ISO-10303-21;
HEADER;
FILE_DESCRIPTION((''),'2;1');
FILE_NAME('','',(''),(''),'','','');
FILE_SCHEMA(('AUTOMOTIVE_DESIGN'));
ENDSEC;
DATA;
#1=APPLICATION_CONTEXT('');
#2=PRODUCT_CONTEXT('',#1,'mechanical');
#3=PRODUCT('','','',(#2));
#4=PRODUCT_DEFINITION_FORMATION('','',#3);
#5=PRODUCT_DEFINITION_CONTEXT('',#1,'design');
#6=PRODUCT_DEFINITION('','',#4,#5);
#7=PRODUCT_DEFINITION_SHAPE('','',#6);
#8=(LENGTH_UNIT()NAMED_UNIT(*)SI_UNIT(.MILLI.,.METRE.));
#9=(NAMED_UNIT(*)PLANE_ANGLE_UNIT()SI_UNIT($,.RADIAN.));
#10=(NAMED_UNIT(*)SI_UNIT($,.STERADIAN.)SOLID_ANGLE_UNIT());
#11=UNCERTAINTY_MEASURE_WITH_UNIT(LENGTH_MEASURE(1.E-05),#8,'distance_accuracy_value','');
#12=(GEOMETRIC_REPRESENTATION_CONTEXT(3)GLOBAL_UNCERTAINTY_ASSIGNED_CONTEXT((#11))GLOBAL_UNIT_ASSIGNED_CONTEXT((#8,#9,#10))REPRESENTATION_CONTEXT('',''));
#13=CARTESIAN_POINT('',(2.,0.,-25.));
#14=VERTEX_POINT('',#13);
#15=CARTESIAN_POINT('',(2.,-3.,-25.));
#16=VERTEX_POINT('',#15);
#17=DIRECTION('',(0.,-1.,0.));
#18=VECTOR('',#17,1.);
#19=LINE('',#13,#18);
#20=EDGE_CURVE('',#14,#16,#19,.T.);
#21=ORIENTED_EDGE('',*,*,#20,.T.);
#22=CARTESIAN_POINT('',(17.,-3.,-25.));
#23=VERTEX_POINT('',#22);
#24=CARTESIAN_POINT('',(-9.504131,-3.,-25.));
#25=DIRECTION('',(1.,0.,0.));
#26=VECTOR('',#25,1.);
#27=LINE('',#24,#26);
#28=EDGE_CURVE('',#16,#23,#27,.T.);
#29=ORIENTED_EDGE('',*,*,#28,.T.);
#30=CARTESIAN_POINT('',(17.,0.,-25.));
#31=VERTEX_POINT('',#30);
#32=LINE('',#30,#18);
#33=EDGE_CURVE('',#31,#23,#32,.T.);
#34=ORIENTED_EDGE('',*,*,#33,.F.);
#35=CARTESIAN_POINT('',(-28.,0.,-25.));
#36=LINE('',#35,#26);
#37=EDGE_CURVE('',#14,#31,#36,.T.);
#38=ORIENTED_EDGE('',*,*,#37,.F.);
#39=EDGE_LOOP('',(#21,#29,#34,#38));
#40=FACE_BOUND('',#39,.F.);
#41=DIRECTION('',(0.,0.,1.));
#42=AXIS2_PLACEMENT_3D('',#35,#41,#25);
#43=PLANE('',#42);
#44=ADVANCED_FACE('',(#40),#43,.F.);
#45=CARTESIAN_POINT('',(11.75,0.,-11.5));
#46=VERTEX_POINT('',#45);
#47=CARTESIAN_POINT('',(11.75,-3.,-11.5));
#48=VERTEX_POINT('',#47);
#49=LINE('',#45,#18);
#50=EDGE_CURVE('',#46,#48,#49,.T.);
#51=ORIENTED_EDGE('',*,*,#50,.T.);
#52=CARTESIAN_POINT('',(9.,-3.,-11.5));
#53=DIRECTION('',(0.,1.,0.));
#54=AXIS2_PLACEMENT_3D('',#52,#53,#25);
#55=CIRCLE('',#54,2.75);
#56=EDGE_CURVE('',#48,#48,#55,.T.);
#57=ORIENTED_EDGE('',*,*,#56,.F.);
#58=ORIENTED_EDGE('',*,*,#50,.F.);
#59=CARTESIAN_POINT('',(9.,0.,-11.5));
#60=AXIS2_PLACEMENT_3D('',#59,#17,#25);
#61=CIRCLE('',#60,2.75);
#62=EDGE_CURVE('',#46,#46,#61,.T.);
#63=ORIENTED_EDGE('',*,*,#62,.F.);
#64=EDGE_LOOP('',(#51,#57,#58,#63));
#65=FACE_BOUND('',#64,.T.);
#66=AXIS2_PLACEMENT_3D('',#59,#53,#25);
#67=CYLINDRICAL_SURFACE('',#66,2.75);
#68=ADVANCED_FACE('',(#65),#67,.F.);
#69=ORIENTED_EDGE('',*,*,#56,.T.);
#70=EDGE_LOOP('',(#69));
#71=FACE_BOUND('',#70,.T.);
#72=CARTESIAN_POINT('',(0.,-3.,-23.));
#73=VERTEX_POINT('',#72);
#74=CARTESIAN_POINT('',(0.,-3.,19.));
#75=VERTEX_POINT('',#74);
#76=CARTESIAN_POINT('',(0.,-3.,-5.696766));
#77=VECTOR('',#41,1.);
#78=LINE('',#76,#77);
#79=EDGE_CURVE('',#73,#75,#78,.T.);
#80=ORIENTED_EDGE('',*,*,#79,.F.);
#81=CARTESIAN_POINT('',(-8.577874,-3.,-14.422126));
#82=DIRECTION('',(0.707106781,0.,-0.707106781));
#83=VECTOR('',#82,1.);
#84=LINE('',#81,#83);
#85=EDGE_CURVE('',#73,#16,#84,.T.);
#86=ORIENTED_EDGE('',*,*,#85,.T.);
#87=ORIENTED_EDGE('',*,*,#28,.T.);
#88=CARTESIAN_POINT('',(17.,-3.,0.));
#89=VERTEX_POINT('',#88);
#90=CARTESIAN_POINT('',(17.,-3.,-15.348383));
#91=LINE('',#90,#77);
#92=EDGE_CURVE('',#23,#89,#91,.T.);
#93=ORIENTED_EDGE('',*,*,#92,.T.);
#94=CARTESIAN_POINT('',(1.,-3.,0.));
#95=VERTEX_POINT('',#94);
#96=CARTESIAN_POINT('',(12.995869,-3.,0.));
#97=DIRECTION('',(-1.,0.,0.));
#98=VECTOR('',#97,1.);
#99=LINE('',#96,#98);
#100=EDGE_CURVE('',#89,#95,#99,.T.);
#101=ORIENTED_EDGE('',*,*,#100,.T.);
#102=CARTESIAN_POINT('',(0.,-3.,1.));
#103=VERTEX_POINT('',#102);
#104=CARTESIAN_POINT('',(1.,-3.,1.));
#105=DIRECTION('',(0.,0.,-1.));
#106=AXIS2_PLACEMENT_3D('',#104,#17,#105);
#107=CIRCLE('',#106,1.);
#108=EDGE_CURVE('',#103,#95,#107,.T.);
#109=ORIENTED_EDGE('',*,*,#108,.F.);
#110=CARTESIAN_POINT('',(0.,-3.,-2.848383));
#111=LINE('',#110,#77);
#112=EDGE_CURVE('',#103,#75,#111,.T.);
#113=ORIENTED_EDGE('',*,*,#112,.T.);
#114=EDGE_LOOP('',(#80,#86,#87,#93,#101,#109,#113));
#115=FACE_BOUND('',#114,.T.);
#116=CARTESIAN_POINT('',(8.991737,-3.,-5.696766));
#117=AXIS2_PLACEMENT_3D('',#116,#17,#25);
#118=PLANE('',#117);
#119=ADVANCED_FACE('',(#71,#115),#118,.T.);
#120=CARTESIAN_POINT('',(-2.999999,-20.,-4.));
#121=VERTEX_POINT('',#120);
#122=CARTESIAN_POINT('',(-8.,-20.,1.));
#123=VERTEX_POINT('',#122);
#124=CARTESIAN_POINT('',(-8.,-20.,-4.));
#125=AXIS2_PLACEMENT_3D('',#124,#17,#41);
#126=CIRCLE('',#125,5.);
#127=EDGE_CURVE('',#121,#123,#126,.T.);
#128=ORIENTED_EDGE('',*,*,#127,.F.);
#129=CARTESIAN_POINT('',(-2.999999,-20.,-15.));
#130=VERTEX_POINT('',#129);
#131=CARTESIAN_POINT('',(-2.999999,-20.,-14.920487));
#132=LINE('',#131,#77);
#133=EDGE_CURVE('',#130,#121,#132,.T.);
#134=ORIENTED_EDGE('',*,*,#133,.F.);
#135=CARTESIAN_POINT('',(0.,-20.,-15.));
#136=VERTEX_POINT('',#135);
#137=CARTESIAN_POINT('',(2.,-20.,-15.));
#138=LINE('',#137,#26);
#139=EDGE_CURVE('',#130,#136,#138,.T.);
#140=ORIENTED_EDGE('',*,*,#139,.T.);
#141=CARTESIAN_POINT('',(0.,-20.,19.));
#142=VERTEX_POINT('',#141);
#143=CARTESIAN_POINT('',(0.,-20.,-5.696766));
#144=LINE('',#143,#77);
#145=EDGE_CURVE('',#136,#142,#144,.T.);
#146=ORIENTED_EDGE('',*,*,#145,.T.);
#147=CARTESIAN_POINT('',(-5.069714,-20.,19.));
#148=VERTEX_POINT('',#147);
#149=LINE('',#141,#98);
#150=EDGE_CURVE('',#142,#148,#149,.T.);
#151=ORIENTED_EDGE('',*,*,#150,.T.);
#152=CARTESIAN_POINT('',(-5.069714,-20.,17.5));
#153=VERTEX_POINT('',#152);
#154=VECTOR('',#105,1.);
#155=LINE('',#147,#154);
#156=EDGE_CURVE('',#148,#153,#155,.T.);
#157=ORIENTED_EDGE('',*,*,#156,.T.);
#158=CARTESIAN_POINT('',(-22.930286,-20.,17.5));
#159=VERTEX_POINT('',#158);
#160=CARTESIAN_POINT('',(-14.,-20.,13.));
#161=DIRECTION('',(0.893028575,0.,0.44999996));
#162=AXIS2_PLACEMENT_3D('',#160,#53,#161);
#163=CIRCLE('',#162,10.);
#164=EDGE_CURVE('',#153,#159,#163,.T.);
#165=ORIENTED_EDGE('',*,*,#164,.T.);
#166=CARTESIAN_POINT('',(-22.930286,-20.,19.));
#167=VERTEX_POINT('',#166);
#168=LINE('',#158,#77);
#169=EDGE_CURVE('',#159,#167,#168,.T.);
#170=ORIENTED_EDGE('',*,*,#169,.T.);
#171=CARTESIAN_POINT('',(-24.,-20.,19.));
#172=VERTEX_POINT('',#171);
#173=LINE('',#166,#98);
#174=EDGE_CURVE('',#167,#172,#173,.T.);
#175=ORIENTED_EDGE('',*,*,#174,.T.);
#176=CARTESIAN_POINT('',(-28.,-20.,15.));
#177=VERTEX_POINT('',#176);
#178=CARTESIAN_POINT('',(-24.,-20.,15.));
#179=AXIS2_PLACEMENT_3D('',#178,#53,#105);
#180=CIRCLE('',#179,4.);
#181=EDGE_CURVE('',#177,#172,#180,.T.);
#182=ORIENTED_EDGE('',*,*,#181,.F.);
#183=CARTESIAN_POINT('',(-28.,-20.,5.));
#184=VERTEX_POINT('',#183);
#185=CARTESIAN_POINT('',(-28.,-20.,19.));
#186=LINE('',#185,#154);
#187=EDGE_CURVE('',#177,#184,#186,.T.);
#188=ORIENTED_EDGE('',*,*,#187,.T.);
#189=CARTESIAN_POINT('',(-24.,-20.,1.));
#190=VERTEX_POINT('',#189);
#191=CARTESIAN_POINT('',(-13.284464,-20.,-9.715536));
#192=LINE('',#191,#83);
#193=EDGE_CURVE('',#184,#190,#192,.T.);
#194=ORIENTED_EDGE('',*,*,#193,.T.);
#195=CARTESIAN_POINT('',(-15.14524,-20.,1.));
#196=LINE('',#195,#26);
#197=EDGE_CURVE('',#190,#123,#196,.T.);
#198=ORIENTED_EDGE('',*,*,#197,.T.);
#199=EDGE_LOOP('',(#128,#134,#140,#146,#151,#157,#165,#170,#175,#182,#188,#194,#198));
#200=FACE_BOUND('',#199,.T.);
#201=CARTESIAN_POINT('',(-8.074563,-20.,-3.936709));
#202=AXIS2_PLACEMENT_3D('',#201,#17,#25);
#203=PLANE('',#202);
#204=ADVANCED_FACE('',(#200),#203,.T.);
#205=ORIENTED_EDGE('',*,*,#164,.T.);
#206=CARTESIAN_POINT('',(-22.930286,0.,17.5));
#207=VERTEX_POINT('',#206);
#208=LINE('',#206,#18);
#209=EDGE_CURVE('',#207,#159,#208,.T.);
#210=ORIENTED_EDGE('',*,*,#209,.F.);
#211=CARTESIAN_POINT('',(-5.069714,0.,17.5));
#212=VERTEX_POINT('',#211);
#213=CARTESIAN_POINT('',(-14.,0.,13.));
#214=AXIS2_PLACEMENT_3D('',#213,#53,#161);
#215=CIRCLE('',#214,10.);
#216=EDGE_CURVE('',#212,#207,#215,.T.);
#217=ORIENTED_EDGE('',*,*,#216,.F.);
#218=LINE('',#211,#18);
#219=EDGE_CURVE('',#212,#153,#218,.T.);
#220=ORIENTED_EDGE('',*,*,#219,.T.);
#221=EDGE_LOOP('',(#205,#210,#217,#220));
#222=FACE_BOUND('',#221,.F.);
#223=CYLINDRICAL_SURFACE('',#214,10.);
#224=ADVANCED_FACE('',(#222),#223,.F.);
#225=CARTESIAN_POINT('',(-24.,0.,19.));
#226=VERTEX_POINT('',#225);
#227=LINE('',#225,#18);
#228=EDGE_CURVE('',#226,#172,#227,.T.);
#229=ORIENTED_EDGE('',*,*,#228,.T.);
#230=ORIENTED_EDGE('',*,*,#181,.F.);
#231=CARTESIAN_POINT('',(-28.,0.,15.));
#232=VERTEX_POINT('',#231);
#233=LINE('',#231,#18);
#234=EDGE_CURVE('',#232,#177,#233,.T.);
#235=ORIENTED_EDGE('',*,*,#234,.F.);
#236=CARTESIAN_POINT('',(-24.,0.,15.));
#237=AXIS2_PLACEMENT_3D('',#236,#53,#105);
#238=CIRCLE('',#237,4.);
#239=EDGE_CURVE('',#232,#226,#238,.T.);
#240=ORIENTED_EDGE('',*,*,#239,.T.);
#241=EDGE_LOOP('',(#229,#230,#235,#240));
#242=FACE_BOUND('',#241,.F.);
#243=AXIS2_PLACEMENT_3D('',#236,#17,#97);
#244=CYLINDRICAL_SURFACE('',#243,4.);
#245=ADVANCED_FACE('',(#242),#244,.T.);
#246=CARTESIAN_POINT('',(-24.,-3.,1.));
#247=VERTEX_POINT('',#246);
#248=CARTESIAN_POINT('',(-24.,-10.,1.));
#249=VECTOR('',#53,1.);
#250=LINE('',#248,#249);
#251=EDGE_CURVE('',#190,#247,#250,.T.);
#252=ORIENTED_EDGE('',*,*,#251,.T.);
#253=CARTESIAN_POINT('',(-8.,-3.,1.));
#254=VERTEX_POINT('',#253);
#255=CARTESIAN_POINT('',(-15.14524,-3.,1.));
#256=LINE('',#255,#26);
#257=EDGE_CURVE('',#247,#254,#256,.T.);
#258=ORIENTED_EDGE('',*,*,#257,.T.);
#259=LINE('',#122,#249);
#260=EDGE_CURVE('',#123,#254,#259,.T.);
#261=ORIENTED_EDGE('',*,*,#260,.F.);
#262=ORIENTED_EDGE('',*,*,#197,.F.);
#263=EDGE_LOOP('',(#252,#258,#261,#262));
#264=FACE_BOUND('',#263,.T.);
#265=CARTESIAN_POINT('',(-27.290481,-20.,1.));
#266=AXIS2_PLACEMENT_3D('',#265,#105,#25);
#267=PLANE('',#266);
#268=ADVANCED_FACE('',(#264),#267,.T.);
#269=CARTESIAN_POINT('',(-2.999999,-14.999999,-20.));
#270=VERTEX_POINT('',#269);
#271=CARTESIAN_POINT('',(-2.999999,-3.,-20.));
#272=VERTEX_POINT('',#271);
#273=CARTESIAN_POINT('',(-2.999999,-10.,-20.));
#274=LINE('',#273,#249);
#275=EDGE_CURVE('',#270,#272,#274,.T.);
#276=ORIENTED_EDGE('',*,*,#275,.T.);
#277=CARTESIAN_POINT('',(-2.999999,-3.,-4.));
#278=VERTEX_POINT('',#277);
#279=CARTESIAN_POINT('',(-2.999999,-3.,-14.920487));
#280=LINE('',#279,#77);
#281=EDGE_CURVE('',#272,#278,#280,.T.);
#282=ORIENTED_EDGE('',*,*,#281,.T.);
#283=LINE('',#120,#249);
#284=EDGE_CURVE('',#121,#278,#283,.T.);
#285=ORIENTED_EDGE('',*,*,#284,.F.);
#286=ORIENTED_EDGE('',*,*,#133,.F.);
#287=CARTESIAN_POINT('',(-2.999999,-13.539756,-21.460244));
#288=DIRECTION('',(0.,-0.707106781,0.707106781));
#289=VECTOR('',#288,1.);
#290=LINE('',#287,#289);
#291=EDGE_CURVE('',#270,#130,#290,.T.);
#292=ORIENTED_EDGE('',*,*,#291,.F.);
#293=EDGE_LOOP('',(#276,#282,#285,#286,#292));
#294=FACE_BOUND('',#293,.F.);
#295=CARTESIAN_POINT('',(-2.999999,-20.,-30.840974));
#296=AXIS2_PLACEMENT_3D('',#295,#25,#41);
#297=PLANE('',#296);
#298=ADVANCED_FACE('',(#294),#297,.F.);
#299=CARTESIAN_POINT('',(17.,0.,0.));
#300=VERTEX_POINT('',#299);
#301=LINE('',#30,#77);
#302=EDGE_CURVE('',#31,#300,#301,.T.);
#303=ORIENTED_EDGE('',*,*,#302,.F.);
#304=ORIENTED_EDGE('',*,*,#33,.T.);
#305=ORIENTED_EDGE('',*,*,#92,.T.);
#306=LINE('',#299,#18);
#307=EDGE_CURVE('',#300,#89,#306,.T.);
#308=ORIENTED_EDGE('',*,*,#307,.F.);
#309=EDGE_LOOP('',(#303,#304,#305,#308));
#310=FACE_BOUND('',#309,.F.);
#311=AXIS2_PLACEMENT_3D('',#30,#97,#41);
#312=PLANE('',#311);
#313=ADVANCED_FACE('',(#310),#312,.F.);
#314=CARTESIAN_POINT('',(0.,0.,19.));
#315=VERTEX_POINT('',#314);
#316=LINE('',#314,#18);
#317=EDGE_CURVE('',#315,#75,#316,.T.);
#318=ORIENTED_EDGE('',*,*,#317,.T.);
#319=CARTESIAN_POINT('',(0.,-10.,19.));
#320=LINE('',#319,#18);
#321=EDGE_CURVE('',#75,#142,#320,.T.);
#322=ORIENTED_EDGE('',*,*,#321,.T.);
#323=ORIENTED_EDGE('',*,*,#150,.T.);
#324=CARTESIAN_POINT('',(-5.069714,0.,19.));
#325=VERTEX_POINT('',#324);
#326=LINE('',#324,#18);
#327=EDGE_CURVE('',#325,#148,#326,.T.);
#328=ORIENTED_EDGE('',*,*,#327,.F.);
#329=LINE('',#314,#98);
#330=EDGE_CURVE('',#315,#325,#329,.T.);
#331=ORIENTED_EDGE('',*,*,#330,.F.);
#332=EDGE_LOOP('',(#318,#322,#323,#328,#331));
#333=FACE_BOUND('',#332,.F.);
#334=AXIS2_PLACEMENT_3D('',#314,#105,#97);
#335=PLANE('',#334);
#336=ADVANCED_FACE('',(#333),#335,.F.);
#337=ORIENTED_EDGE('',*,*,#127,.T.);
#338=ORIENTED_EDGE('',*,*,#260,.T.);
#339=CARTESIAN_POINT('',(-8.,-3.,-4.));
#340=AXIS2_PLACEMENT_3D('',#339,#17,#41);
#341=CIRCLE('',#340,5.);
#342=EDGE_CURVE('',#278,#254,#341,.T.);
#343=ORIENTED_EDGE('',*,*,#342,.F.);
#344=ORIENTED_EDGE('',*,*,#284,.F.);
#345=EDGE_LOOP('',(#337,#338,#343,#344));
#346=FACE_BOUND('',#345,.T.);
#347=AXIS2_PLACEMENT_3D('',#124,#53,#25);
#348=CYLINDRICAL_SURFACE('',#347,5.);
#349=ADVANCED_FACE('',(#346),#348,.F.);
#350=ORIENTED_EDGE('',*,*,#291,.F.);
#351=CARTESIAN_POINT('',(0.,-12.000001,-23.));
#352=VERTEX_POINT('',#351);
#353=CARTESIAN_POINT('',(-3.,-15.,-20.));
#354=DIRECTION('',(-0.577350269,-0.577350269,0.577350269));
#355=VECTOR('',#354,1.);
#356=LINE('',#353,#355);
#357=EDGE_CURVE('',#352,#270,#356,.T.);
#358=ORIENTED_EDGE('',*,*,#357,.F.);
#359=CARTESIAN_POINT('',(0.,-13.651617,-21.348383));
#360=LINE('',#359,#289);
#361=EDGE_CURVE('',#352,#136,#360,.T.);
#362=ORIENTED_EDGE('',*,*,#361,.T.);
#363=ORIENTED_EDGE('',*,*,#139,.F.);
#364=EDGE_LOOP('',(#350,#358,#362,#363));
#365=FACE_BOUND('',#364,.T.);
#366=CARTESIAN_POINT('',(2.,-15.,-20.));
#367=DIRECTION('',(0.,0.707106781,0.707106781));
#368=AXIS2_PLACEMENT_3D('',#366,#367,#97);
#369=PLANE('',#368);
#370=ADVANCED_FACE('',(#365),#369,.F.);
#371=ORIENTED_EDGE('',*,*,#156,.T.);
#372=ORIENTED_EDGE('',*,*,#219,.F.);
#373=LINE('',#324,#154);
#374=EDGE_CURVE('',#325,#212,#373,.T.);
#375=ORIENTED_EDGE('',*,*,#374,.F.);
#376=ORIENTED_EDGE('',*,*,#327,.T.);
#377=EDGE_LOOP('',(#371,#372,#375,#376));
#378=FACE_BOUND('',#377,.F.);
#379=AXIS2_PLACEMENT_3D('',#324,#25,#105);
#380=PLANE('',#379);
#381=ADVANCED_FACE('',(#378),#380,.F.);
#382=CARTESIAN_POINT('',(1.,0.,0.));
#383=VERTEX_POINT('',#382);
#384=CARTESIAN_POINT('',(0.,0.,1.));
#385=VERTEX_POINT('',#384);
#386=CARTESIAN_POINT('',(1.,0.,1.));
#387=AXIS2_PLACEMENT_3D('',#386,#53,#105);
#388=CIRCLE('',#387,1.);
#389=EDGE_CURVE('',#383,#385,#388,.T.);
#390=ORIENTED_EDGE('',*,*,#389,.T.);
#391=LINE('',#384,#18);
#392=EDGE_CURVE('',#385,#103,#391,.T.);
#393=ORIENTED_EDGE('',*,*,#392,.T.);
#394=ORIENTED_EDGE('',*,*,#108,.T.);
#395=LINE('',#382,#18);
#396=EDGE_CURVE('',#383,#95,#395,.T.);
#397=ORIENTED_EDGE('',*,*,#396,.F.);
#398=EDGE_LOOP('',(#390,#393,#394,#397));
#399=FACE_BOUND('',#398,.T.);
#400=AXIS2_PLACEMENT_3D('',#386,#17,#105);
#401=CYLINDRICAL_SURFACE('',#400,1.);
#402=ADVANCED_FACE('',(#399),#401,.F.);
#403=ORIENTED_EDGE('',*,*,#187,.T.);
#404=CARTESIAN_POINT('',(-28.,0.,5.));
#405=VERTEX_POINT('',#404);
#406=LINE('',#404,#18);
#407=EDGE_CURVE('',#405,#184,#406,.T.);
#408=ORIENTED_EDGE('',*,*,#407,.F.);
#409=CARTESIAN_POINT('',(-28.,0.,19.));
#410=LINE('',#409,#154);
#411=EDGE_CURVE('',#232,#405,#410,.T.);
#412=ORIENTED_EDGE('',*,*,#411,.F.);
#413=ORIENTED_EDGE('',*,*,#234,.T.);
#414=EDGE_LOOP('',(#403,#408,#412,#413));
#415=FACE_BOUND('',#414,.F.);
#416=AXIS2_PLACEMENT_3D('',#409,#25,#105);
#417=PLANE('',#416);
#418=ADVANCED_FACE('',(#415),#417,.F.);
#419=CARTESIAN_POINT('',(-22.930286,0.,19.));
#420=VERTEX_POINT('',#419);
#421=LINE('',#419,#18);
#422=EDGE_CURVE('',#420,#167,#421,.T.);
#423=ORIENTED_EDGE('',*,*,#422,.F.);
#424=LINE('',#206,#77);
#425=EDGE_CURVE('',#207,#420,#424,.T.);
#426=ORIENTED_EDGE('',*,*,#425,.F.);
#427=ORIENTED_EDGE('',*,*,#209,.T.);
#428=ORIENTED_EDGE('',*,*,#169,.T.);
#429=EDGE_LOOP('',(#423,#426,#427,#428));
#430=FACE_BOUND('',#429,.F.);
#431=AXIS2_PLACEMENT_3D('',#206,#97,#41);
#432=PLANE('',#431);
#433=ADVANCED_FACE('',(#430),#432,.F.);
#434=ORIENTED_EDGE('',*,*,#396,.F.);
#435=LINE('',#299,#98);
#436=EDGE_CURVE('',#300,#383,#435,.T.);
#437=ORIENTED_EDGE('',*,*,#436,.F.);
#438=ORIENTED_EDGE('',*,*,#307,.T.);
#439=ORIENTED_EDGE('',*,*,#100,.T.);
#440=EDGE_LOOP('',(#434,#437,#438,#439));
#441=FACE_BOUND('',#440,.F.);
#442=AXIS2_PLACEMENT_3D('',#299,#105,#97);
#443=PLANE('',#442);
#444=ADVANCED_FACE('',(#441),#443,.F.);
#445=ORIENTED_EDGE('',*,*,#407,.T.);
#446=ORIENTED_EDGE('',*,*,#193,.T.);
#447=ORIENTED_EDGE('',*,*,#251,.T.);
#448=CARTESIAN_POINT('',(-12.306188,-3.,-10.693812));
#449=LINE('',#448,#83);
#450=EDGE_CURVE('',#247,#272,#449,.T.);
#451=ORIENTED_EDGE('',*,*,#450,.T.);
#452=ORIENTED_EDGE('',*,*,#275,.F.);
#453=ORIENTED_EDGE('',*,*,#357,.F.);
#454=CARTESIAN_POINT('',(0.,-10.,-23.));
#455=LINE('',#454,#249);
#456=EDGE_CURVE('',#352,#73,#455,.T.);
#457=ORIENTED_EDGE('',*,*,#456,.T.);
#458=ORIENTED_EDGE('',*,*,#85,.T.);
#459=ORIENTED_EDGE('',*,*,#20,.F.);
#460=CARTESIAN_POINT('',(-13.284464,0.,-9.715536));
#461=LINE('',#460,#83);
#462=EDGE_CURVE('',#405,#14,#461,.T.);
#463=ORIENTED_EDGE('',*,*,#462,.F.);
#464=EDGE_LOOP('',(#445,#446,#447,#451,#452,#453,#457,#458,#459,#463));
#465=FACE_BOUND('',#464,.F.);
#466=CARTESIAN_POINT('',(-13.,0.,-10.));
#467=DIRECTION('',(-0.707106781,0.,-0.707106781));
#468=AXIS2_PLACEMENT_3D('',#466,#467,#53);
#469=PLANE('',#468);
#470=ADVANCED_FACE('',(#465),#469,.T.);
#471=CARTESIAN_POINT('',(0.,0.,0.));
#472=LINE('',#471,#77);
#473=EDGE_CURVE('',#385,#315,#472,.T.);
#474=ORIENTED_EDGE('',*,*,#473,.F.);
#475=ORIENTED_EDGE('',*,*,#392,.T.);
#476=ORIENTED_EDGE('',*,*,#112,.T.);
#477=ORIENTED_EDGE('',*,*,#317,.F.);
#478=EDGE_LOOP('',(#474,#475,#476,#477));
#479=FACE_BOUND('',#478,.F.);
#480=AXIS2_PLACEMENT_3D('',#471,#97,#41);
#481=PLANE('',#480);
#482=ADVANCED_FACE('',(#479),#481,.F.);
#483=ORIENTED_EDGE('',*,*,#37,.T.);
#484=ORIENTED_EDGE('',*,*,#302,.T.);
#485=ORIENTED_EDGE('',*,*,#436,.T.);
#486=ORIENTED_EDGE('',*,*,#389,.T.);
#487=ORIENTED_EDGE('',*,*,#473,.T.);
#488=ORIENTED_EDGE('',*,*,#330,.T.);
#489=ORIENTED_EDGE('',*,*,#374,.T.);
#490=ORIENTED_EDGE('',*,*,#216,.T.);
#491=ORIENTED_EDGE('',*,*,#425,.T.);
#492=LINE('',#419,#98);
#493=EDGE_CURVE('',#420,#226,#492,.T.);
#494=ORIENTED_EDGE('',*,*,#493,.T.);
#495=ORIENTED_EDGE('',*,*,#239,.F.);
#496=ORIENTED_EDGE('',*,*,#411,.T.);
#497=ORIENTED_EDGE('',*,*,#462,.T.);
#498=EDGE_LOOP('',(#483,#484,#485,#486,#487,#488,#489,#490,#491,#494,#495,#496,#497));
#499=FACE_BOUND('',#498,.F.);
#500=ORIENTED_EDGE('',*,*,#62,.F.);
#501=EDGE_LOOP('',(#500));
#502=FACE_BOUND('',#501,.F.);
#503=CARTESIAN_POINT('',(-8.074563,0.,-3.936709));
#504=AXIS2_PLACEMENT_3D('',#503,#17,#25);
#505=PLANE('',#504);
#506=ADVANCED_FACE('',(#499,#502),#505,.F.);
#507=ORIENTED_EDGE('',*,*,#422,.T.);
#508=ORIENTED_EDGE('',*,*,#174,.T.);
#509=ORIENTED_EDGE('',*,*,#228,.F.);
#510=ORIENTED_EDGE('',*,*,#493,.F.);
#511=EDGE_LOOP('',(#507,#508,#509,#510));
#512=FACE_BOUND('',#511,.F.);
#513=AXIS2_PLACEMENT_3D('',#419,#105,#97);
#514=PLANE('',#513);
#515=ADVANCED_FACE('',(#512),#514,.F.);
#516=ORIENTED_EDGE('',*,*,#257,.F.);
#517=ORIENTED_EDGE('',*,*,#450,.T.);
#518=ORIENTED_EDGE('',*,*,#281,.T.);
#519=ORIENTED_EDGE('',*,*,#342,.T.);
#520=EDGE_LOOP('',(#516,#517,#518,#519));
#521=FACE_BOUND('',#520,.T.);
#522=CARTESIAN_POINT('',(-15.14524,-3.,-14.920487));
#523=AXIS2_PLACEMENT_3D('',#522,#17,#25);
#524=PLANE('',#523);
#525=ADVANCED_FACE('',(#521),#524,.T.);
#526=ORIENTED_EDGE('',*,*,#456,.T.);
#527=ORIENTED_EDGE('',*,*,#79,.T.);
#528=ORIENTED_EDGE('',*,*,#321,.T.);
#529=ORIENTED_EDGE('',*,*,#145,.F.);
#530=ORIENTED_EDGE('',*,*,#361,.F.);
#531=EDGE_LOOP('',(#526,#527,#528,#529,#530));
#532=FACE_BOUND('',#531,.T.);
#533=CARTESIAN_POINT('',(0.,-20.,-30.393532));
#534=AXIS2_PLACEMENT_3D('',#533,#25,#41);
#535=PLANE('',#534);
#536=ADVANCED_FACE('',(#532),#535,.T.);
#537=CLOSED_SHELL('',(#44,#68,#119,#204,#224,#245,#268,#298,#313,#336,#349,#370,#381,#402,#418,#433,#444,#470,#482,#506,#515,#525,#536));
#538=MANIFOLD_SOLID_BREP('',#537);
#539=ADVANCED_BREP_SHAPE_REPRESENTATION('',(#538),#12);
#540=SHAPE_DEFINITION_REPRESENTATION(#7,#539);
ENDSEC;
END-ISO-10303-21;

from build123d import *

# Parameters (mm, degrees)
F0_R     = 2.75
F1_DEPTH = 20
F2_SIZE  = 30
F3_R     = 1
F4_R     = 4
F5_SIZE  = 10
F6_W     = 24.290481
F6_H     = 31.840974
F6_W_2   = 17.983475
F6_H_2   = 49.393533
F7_DEPTH = 17
F8_R     = 5


with BuildPart() as f1:
    # F0 (on Front) → F1 (new body)
    with BuildSketch(Plane.XZ):
        with BuildLine():
            ThreePointArc((-5.069714, 17.5), (-14, 3), (-22.930286, 17.5))
            Line((-22.930286, 17.5), (-22.930286, 19))
            Line((-22.930286, 19), (-28, 19))
            Line((-28, 19), (-28, -25))
            Line((-28, -25), (17, -25))
            Line((17, -25), (17, 0))
            Line((17, 0), (0, 0))
            Line((0, 0), (0, 19))
            Line((0, 19), (-5.069714, 19))
            Line((-5.069714, 19), (-5.069714, 17.5))
        make_face()
        with Locations((9, -11.5)):
            Circle(F0_R, mode=Mode.SUBTRACT)
    extrude(amount=F1_DEPTH)

    # F2
    f2_edges = [f1.edges().sort_by_distance(p)[0] for p in [
        (-28, -10, -25),
    ]]
    chamfer(f2_edges, length=F2_SIZE)

    # F3
    f3_edges = [f1.edges().sort_by_distance(p)[0] for p in [
        (0, -10, 0),
    ]]
    fillet(f3_edges, radius=F3_R)

    # F4
    f4_edges = [f1.edges().sort_by_distance(p)[0] for p in [
        (-28, -10, 19),
    ]]
    fillet(f4_edges, radius=F4_R)

    # F5
    f5_edges = [f1.edges().sort_by_distance(p)[0] for p in [
        (9.5, -20, -25),
    ]]
    chamfer(f5_edges, length=F5_SIZE)

    # F6 (on face) → F7 (cut)
    with BuildSketch(Plane.XZ.offset(20)):
        with Locations((-15.14524, -14.920487)):
            Rectangle(F6_W, F6_H)
        with Locations((8.991737, -5.696766)):
            Rectangle(F6_W_2, F6_H_2)
    extrude(amount=-F7_DEPTH, mode=Mode.SUBTRACT)

    # F8
    f8_edges = [f1.edges().sort_by_distance(p)[0] for p in [
        (-3, -11.5, 1),
    ]]
    fillet(f8_edges, radius=F8_R)


solid = f1.part
